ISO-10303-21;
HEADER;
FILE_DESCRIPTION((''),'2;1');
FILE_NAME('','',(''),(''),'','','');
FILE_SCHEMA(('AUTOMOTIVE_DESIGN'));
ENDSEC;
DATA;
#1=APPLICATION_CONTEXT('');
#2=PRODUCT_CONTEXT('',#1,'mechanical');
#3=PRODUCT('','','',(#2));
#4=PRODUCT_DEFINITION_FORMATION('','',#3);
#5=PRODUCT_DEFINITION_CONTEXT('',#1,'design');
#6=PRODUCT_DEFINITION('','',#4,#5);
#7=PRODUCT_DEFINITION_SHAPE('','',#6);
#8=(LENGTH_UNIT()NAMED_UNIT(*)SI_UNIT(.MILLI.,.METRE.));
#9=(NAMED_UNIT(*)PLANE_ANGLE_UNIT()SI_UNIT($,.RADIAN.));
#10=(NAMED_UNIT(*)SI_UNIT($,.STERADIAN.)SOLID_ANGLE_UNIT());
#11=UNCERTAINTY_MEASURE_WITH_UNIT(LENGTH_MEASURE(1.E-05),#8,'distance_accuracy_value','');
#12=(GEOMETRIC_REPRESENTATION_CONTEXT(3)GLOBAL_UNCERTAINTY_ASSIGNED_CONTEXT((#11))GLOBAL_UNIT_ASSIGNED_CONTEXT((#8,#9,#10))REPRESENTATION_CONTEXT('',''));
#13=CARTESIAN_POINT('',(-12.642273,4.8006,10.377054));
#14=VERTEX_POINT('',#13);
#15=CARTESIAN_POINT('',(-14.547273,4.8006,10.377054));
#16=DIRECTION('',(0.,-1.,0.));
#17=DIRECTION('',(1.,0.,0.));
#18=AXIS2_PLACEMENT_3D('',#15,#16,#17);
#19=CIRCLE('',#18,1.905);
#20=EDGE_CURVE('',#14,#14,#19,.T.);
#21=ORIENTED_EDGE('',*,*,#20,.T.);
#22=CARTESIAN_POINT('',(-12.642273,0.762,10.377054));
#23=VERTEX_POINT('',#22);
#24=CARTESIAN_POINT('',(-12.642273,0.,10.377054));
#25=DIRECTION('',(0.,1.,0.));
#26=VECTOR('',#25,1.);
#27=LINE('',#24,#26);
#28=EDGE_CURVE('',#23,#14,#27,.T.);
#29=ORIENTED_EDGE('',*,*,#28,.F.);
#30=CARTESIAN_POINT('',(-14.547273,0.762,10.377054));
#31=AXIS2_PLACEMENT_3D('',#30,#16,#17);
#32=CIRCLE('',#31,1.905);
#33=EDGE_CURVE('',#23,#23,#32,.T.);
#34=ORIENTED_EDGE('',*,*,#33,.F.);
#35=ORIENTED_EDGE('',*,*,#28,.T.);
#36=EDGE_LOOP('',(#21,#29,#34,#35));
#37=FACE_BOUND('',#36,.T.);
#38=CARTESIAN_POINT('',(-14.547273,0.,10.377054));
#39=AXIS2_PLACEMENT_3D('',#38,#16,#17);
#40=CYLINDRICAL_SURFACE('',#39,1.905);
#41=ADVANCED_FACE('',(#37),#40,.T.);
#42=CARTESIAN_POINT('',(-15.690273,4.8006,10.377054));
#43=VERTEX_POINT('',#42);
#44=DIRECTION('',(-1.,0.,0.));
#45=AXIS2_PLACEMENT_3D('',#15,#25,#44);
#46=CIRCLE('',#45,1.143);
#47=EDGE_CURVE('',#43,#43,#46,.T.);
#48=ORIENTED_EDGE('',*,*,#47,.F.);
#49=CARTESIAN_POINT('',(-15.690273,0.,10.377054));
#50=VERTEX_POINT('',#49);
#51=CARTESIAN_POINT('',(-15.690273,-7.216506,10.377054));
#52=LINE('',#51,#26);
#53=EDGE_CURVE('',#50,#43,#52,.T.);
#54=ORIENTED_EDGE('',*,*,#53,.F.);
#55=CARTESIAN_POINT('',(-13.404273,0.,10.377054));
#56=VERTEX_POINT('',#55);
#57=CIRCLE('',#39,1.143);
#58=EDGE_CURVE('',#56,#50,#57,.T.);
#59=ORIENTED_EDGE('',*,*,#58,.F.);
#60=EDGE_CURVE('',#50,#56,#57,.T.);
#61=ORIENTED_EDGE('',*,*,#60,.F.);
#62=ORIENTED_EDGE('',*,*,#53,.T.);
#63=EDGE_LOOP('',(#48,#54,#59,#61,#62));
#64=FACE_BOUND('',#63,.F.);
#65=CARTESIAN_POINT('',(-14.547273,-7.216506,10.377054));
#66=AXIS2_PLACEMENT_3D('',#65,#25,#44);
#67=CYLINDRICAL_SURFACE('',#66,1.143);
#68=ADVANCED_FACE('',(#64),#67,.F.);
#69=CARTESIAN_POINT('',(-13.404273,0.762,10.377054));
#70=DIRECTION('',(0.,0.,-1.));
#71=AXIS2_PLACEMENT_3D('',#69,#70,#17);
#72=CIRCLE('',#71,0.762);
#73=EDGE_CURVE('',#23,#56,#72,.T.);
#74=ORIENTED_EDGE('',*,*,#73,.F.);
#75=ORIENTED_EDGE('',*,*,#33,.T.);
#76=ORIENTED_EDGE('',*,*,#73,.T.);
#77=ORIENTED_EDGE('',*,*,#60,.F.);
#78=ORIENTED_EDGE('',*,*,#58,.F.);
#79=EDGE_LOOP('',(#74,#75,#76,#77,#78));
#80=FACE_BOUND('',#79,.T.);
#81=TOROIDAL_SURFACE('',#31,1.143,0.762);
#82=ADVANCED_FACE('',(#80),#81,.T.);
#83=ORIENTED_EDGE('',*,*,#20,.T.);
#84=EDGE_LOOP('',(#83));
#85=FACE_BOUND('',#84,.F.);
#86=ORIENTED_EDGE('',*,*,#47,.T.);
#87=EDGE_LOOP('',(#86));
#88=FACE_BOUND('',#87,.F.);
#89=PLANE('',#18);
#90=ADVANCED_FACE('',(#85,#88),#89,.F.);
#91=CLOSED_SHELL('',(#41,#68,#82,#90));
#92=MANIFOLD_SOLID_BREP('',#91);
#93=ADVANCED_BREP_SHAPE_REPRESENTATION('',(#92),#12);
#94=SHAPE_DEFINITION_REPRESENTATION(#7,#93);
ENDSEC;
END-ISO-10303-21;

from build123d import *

# Parameters (mm, degrees)
F0_R     = 1.905
F1_DEPTH = 4.8006
F2_R     = 0.762
F4_D     = 2.286


with BuildPart() as f1:
    # F0 (on Front) → F1 (new body)
    with BuildSketch(Plane.XZ):
        with Locations((-14.547273, 10.377054)):
            Circle(F0_R)
    extrude(amount=-F1_DEPTH)

    # F2
    f2_edges = [f1.edges().sort_by_distance(p)[0] for p in [
        (-16.452273, 0, 10.377054),
    ]]
    fillet(f2_edges, radius=F2_R)

    # F4 (through all)
    with Locations(Plane.XZ):
        with Locations((-14.547273, 10.377054)):
            Hole(F4_D / 2)


solid = f1.part
